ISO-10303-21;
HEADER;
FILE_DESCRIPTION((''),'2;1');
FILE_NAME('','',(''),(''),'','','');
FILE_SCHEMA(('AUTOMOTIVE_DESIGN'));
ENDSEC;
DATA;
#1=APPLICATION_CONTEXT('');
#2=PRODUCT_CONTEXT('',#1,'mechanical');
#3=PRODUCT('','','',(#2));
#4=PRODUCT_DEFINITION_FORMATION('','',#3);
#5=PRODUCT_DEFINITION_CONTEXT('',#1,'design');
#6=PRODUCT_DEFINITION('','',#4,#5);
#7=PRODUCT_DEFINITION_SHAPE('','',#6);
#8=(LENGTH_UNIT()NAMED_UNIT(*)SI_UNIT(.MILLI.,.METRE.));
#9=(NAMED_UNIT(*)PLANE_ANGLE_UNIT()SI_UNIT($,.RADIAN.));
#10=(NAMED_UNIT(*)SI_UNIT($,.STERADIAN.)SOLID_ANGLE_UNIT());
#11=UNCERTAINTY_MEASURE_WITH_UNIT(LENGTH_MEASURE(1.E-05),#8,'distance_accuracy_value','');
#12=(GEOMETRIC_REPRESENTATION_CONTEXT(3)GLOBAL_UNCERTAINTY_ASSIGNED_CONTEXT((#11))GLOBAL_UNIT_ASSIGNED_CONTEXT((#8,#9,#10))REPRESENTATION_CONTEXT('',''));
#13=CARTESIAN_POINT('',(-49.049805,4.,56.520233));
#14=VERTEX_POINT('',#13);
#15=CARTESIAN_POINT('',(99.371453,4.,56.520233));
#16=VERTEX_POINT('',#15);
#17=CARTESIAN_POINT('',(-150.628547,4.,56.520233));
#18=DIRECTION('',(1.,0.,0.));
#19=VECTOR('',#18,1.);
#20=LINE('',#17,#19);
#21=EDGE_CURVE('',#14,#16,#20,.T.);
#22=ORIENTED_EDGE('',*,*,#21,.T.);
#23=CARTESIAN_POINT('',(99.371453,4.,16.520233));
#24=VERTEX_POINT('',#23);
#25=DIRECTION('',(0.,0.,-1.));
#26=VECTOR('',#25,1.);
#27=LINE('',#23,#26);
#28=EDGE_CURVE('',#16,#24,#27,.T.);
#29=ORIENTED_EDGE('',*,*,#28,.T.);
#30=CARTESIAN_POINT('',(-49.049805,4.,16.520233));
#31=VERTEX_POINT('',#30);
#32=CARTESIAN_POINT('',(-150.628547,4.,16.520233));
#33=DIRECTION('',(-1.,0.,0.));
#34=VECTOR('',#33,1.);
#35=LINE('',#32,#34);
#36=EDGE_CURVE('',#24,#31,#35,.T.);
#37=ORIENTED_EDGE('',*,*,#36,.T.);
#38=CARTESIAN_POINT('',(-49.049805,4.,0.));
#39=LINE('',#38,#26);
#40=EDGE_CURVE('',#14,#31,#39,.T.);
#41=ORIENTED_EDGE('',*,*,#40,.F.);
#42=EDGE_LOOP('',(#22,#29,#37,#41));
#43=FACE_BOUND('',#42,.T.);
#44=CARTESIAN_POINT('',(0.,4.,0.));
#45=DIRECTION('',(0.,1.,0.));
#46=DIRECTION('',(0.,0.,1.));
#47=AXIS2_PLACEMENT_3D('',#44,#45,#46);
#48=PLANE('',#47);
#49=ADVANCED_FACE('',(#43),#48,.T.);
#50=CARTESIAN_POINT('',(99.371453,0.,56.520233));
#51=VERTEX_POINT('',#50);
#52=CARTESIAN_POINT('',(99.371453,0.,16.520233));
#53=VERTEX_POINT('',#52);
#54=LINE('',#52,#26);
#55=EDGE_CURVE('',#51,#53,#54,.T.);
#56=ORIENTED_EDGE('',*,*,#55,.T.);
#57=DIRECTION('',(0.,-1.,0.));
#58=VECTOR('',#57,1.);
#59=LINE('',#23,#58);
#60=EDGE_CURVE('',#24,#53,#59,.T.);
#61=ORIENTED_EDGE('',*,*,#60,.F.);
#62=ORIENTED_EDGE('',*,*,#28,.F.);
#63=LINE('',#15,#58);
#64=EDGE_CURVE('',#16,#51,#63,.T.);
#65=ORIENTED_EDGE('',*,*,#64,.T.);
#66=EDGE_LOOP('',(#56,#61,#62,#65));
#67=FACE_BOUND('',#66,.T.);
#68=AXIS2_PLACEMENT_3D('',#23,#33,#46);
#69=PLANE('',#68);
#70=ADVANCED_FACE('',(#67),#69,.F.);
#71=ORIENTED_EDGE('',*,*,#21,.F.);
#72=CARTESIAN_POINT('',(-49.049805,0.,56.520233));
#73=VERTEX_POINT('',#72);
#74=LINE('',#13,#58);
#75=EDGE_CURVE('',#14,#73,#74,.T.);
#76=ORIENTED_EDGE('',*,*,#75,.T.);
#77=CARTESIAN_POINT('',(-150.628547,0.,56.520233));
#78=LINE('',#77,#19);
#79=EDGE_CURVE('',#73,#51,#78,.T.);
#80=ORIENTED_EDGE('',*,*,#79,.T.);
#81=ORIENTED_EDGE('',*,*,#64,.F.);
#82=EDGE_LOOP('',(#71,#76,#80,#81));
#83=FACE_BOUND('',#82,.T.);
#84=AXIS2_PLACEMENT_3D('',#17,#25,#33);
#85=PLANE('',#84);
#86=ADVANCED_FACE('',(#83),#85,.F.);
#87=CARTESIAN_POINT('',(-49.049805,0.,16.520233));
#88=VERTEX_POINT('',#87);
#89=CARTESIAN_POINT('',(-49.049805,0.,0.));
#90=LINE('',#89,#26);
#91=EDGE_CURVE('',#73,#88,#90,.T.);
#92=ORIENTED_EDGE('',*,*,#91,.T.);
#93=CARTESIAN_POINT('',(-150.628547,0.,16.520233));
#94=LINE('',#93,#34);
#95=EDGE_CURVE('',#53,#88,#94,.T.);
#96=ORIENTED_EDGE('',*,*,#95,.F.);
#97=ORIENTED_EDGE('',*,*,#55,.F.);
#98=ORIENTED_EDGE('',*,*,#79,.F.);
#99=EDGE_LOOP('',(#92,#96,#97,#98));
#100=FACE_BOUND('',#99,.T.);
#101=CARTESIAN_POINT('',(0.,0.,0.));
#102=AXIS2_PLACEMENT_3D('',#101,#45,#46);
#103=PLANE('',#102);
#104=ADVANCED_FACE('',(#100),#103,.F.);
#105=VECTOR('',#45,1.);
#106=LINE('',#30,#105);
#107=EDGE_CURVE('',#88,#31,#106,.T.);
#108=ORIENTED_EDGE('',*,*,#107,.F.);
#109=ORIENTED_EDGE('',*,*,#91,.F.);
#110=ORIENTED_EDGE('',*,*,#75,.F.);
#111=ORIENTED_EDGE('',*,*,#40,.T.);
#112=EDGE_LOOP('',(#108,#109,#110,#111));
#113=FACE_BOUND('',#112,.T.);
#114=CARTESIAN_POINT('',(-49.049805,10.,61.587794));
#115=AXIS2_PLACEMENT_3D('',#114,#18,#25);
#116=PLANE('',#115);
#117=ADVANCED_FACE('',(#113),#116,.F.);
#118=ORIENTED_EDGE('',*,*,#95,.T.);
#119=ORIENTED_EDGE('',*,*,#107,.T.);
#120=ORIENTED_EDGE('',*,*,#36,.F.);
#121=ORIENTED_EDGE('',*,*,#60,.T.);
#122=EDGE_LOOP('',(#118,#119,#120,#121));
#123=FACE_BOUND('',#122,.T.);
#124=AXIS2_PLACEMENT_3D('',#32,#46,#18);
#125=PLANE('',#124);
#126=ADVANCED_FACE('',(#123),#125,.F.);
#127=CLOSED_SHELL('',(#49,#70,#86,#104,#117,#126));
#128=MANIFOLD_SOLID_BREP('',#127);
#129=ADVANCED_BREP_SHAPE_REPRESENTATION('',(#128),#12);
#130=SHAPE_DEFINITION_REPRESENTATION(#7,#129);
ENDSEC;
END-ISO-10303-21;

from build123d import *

# Parameters (mm, degrees)
SKETCH1_W           = 250
SKETCH1_H           = 40
BOSS_EXTRUDE1_DEPTH = 4
SKETCH4_W           = 126.947942507
SKETCH4_H           = 53.258076658
CUT_EXTRUDE3_DEPTH  = 10


with BuildPart() as part:
    # Sketch1 → Boss-Extrude1 (new body)
    with BuildSketch(Plane(origin=(0, 0, 0), x_dir=(1, 0, 0), z_dir=(0, 1, 0))):
        with Locations((-25.628547234, -36.520233304)):
            Rectangle(SKETCH1_W, SKETCH1_H)
    extrude(amount=BOSS_EXTRUDE1_DEPTH)

    # Sketch4 → Cut-Extrude3 (cut)
    with BuildSketch(Plane.XZ):
        with Locations((-112.52377638, 34.958755358)):
            Rectangle(SKETCH4_W, SKETCH4_H)
    extrude(amount=-CUT_EXTRUDE3_DEPTH, mode=Mode.SUBTRACT)


solid = part.part
